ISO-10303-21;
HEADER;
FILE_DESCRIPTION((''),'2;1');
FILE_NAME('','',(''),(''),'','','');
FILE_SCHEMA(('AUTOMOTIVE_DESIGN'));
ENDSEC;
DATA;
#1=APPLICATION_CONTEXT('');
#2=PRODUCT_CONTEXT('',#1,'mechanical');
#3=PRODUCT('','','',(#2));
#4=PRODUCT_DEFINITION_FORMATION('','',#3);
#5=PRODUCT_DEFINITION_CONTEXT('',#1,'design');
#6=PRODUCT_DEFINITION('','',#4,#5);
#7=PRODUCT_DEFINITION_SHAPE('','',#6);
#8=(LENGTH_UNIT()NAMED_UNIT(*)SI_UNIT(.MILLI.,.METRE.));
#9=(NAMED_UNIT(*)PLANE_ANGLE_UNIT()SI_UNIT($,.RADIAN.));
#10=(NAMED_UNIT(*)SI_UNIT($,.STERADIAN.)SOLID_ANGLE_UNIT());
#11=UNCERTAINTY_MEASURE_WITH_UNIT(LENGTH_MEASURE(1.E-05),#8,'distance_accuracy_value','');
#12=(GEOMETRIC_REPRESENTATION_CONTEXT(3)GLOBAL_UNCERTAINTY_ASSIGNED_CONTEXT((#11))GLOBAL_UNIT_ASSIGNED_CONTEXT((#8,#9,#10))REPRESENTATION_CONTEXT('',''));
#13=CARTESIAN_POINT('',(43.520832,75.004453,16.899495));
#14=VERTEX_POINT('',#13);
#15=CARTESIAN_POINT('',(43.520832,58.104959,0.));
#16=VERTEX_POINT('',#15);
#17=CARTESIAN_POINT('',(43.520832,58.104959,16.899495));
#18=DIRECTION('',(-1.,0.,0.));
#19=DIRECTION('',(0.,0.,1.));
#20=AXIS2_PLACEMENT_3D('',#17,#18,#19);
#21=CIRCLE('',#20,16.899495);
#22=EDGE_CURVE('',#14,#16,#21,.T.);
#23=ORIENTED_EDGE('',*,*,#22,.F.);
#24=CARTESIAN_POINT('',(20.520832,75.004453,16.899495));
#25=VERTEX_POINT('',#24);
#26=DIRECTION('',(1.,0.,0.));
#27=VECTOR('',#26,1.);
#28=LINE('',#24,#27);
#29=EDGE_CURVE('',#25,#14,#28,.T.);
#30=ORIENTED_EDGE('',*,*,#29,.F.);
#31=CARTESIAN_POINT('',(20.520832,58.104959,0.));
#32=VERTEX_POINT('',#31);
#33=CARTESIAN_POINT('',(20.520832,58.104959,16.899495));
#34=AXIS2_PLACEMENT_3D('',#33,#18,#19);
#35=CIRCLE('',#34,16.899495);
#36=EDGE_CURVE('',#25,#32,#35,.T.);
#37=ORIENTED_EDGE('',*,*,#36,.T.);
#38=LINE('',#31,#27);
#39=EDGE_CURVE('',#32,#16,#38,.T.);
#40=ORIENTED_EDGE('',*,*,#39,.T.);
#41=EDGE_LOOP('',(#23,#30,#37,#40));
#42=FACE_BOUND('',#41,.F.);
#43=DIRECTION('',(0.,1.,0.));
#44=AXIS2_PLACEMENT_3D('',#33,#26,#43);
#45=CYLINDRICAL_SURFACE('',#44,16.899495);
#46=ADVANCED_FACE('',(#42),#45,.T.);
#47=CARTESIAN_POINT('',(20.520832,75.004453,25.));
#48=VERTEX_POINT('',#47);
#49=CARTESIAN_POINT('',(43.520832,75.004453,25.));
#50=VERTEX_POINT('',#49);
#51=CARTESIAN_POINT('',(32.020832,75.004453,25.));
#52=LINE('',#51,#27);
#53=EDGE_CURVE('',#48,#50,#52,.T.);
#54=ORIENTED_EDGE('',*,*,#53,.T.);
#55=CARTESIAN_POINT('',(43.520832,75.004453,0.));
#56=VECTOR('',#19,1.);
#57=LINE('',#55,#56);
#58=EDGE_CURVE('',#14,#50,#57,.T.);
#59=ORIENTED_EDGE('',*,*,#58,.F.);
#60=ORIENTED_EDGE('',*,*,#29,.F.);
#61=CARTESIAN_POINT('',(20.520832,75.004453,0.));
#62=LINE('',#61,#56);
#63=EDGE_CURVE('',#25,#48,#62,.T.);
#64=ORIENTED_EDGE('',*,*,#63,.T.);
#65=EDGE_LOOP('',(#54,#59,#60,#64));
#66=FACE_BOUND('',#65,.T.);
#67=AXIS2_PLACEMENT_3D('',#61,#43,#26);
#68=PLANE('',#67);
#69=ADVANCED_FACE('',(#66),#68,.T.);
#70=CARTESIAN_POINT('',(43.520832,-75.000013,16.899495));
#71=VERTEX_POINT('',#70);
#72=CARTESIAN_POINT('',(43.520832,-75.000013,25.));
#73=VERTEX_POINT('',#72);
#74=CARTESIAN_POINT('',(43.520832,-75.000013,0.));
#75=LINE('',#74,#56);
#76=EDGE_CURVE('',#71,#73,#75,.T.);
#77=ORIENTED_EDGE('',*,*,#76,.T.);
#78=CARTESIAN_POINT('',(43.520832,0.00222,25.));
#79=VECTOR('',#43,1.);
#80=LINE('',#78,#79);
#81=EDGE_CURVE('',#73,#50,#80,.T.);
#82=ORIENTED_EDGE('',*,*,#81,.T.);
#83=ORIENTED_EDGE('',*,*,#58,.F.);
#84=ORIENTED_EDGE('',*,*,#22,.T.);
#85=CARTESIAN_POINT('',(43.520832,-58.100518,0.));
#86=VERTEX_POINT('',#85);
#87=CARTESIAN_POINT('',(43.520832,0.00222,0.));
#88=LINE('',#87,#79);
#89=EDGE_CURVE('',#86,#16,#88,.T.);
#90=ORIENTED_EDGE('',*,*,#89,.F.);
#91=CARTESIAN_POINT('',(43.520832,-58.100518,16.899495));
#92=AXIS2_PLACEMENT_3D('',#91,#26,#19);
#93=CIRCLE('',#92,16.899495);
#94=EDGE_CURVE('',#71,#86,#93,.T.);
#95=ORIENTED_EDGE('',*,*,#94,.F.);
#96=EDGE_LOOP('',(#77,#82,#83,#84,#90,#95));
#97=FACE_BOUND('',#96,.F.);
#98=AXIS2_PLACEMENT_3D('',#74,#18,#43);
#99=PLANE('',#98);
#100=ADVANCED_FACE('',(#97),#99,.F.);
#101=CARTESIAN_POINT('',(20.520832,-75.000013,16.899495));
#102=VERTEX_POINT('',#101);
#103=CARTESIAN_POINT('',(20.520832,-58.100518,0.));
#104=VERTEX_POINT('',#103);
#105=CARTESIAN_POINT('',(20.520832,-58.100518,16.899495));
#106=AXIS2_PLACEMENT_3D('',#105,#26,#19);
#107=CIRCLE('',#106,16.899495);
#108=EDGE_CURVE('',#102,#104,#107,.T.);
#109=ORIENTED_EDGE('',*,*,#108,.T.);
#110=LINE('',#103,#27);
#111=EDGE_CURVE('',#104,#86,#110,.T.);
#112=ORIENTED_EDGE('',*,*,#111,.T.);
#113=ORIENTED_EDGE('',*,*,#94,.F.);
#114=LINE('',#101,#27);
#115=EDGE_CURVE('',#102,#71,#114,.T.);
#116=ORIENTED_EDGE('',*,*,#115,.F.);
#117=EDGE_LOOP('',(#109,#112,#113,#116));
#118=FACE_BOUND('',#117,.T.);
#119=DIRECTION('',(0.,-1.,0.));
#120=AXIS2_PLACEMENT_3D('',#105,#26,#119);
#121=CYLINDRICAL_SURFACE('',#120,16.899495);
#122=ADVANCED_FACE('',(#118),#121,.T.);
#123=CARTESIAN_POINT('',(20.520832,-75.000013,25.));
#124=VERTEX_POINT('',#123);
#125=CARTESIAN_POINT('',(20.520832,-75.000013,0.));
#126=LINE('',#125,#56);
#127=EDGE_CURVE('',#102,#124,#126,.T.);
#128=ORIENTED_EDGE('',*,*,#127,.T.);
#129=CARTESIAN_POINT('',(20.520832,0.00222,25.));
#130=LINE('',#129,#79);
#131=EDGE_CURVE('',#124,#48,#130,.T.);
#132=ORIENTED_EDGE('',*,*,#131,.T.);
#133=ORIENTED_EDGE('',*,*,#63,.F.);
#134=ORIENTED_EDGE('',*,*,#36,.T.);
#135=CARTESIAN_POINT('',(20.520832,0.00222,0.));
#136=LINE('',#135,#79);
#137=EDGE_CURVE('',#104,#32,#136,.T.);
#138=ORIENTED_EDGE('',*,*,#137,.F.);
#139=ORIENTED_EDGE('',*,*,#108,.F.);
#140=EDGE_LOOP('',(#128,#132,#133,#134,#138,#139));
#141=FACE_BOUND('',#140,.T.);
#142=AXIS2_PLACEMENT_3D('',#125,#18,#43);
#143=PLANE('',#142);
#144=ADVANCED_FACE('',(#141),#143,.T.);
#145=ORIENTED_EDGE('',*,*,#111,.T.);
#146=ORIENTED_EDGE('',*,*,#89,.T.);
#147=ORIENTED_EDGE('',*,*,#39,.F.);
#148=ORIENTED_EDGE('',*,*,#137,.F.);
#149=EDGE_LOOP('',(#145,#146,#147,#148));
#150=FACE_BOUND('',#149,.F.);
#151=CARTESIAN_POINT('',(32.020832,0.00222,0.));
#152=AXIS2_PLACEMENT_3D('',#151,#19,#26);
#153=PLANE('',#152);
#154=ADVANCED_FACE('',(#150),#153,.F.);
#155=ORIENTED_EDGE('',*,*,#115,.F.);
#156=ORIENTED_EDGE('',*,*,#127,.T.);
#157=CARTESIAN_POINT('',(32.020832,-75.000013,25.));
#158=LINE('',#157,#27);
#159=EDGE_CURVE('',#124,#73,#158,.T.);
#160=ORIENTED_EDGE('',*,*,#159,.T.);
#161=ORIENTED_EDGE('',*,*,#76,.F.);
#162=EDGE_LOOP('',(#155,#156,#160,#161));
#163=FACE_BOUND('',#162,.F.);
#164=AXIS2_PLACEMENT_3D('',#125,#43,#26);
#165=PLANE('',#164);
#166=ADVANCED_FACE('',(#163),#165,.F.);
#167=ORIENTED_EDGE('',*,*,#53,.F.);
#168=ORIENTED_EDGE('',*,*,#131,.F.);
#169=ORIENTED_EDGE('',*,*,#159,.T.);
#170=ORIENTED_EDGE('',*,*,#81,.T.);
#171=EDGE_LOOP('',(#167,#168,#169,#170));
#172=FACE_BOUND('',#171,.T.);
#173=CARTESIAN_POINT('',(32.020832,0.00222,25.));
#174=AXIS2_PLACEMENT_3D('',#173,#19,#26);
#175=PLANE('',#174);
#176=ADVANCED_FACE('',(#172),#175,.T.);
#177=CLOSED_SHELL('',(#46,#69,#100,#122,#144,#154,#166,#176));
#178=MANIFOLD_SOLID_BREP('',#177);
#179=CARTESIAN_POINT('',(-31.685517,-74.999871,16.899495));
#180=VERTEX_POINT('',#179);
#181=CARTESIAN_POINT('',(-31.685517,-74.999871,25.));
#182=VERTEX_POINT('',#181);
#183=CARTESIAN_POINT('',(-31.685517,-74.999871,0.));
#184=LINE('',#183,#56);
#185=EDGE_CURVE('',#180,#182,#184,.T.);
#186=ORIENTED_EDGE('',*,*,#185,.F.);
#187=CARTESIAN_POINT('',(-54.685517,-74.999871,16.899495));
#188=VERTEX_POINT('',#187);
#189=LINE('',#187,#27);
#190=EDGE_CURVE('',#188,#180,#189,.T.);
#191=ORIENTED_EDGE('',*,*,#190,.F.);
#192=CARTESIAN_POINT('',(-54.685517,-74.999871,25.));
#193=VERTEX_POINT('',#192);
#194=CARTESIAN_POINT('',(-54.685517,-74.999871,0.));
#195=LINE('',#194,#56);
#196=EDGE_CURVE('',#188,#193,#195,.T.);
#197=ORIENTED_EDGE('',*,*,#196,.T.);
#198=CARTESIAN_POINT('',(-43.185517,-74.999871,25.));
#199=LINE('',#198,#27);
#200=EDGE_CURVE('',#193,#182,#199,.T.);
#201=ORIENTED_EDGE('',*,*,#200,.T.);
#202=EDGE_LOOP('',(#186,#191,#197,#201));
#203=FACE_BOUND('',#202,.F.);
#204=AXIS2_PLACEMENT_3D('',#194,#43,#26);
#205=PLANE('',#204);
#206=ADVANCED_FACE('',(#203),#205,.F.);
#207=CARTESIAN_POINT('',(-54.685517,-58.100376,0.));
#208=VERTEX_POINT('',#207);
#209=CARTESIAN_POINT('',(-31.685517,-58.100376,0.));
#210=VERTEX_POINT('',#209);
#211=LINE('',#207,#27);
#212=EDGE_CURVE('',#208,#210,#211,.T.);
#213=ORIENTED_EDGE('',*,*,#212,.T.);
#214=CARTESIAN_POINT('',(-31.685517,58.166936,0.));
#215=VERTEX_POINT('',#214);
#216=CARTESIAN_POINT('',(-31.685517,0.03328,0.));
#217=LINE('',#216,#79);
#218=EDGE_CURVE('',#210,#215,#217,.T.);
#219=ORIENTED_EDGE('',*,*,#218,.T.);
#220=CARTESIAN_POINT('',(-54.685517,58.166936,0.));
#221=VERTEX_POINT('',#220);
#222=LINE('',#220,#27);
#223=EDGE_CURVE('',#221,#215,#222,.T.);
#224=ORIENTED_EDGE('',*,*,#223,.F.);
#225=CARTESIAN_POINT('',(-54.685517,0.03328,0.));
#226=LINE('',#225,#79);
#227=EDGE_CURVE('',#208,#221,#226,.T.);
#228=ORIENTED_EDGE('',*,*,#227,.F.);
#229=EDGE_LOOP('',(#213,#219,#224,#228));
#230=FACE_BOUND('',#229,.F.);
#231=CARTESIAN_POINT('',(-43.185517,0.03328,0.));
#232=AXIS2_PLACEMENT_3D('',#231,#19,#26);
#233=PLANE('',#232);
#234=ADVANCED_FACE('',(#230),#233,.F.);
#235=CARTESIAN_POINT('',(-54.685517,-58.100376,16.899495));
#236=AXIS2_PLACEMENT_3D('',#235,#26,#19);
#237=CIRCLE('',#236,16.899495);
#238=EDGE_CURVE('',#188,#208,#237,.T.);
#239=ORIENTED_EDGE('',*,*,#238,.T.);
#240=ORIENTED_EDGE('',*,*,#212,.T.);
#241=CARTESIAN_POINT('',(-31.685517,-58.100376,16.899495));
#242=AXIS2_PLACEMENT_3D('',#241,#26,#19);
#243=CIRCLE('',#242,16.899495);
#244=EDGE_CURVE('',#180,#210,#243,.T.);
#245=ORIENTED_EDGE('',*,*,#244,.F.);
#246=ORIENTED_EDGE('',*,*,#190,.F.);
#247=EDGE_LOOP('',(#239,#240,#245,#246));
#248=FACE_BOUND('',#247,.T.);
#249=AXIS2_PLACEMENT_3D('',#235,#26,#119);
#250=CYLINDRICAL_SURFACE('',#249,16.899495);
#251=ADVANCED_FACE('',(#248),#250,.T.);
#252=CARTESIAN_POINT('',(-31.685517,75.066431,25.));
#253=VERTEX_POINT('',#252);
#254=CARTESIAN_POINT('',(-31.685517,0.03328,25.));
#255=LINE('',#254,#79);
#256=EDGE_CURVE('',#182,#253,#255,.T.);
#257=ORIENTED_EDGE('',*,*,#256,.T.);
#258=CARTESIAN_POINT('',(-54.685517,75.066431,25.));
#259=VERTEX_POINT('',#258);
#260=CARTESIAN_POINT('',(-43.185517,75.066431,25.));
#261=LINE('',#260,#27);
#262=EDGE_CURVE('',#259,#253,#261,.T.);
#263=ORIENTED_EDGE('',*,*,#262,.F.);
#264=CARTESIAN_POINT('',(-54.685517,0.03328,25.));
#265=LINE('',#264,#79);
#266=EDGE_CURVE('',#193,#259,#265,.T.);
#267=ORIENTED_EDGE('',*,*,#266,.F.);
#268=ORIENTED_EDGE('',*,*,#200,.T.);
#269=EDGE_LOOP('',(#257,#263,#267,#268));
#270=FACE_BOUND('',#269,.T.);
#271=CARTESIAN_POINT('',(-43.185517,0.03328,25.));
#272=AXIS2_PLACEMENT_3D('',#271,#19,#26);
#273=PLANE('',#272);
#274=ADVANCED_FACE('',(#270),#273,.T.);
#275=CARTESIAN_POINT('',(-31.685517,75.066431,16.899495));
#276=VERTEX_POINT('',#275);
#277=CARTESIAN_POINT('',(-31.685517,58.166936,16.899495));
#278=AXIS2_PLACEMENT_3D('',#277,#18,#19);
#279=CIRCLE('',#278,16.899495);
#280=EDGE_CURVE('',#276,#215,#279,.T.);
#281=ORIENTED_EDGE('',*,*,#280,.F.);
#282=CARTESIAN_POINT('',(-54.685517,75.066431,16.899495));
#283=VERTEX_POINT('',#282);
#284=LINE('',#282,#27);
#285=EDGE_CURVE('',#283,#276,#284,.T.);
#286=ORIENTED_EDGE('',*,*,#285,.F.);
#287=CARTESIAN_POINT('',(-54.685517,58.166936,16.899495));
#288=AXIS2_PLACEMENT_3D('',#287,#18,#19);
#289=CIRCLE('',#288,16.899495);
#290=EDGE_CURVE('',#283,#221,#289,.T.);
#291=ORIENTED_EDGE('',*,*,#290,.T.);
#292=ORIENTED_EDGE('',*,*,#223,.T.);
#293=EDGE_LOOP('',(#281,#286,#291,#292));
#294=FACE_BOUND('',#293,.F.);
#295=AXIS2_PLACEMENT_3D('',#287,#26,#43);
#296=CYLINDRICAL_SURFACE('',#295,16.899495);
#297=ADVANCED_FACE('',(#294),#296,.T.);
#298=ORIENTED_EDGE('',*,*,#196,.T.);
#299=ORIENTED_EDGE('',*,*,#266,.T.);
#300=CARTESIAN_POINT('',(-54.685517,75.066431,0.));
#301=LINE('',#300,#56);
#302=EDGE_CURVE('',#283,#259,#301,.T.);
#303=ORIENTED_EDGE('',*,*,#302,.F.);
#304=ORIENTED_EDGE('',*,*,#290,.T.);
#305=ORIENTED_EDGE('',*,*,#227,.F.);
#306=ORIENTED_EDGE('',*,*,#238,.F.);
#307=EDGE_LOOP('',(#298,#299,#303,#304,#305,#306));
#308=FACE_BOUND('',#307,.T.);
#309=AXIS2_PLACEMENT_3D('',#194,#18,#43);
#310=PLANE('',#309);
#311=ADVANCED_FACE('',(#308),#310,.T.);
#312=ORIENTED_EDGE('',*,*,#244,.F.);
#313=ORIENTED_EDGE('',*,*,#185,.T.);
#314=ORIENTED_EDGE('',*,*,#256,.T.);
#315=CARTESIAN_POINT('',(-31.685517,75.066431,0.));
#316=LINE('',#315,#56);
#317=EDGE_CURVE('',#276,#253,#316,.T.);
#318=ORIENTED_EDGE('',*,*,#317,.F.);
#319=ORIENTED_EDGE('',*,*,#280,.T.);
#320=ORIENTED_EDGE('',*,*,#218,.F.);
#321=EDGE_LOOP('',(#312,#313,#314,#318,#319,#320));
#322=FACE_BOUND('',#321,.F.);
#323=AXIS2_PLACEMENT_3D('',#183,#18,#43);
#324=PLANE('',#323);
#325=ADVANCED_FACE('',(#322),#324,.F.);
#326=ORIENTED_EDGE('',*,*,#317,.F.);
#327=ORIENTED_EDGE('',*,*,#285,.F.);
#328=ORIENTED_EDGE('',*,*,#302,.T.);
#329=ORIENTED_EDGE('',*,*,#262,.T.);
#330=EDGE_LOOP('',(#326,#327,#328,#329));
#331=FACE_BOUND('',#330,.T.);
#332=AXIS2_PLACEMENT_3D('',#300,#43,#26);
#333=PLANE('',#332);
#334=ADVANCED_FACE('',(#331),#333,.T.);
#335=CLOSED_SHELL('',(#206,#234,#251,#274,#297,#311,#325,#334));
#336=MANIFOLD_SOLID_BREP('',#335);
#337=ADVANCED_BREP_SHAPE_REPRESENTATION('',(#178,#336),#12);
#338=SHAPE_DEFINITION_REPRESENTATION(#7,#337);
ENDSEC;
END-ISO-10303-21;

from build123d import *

# Parameters (mm, degrees)
F0_W     = 23
F0_H     = 150.066302
F0_H_2   = 150.004467
F1_DEPTH = 25
F2_R     = 16.899495


with BuildPart() as f1:
    # F0 (on Top) → F1 (new body)
    with BuildSketch(Plane.XY):
        with Locations((-43.185517, 0.03328)):
            Rectangle(F0_W, F0_H)
        with Locations((32.020832, 0.00222)):
            Rectangle(F0_W, F0_H_2)
    extrude(amount=F1_DEPTH)

    # F2
    f2_edges = [f1.edges().sort_by_distance(p)[0] for p in [
        (-43.185517, -74.999871, 0),
        (32.020832, -75.000013, 0),
        (-43.185517, 75.066431, 0),
        (32.020832, 75.004454, 0),
    ]]
    fillet(f2_edges, radius=F2_R)


solid = f1.part
